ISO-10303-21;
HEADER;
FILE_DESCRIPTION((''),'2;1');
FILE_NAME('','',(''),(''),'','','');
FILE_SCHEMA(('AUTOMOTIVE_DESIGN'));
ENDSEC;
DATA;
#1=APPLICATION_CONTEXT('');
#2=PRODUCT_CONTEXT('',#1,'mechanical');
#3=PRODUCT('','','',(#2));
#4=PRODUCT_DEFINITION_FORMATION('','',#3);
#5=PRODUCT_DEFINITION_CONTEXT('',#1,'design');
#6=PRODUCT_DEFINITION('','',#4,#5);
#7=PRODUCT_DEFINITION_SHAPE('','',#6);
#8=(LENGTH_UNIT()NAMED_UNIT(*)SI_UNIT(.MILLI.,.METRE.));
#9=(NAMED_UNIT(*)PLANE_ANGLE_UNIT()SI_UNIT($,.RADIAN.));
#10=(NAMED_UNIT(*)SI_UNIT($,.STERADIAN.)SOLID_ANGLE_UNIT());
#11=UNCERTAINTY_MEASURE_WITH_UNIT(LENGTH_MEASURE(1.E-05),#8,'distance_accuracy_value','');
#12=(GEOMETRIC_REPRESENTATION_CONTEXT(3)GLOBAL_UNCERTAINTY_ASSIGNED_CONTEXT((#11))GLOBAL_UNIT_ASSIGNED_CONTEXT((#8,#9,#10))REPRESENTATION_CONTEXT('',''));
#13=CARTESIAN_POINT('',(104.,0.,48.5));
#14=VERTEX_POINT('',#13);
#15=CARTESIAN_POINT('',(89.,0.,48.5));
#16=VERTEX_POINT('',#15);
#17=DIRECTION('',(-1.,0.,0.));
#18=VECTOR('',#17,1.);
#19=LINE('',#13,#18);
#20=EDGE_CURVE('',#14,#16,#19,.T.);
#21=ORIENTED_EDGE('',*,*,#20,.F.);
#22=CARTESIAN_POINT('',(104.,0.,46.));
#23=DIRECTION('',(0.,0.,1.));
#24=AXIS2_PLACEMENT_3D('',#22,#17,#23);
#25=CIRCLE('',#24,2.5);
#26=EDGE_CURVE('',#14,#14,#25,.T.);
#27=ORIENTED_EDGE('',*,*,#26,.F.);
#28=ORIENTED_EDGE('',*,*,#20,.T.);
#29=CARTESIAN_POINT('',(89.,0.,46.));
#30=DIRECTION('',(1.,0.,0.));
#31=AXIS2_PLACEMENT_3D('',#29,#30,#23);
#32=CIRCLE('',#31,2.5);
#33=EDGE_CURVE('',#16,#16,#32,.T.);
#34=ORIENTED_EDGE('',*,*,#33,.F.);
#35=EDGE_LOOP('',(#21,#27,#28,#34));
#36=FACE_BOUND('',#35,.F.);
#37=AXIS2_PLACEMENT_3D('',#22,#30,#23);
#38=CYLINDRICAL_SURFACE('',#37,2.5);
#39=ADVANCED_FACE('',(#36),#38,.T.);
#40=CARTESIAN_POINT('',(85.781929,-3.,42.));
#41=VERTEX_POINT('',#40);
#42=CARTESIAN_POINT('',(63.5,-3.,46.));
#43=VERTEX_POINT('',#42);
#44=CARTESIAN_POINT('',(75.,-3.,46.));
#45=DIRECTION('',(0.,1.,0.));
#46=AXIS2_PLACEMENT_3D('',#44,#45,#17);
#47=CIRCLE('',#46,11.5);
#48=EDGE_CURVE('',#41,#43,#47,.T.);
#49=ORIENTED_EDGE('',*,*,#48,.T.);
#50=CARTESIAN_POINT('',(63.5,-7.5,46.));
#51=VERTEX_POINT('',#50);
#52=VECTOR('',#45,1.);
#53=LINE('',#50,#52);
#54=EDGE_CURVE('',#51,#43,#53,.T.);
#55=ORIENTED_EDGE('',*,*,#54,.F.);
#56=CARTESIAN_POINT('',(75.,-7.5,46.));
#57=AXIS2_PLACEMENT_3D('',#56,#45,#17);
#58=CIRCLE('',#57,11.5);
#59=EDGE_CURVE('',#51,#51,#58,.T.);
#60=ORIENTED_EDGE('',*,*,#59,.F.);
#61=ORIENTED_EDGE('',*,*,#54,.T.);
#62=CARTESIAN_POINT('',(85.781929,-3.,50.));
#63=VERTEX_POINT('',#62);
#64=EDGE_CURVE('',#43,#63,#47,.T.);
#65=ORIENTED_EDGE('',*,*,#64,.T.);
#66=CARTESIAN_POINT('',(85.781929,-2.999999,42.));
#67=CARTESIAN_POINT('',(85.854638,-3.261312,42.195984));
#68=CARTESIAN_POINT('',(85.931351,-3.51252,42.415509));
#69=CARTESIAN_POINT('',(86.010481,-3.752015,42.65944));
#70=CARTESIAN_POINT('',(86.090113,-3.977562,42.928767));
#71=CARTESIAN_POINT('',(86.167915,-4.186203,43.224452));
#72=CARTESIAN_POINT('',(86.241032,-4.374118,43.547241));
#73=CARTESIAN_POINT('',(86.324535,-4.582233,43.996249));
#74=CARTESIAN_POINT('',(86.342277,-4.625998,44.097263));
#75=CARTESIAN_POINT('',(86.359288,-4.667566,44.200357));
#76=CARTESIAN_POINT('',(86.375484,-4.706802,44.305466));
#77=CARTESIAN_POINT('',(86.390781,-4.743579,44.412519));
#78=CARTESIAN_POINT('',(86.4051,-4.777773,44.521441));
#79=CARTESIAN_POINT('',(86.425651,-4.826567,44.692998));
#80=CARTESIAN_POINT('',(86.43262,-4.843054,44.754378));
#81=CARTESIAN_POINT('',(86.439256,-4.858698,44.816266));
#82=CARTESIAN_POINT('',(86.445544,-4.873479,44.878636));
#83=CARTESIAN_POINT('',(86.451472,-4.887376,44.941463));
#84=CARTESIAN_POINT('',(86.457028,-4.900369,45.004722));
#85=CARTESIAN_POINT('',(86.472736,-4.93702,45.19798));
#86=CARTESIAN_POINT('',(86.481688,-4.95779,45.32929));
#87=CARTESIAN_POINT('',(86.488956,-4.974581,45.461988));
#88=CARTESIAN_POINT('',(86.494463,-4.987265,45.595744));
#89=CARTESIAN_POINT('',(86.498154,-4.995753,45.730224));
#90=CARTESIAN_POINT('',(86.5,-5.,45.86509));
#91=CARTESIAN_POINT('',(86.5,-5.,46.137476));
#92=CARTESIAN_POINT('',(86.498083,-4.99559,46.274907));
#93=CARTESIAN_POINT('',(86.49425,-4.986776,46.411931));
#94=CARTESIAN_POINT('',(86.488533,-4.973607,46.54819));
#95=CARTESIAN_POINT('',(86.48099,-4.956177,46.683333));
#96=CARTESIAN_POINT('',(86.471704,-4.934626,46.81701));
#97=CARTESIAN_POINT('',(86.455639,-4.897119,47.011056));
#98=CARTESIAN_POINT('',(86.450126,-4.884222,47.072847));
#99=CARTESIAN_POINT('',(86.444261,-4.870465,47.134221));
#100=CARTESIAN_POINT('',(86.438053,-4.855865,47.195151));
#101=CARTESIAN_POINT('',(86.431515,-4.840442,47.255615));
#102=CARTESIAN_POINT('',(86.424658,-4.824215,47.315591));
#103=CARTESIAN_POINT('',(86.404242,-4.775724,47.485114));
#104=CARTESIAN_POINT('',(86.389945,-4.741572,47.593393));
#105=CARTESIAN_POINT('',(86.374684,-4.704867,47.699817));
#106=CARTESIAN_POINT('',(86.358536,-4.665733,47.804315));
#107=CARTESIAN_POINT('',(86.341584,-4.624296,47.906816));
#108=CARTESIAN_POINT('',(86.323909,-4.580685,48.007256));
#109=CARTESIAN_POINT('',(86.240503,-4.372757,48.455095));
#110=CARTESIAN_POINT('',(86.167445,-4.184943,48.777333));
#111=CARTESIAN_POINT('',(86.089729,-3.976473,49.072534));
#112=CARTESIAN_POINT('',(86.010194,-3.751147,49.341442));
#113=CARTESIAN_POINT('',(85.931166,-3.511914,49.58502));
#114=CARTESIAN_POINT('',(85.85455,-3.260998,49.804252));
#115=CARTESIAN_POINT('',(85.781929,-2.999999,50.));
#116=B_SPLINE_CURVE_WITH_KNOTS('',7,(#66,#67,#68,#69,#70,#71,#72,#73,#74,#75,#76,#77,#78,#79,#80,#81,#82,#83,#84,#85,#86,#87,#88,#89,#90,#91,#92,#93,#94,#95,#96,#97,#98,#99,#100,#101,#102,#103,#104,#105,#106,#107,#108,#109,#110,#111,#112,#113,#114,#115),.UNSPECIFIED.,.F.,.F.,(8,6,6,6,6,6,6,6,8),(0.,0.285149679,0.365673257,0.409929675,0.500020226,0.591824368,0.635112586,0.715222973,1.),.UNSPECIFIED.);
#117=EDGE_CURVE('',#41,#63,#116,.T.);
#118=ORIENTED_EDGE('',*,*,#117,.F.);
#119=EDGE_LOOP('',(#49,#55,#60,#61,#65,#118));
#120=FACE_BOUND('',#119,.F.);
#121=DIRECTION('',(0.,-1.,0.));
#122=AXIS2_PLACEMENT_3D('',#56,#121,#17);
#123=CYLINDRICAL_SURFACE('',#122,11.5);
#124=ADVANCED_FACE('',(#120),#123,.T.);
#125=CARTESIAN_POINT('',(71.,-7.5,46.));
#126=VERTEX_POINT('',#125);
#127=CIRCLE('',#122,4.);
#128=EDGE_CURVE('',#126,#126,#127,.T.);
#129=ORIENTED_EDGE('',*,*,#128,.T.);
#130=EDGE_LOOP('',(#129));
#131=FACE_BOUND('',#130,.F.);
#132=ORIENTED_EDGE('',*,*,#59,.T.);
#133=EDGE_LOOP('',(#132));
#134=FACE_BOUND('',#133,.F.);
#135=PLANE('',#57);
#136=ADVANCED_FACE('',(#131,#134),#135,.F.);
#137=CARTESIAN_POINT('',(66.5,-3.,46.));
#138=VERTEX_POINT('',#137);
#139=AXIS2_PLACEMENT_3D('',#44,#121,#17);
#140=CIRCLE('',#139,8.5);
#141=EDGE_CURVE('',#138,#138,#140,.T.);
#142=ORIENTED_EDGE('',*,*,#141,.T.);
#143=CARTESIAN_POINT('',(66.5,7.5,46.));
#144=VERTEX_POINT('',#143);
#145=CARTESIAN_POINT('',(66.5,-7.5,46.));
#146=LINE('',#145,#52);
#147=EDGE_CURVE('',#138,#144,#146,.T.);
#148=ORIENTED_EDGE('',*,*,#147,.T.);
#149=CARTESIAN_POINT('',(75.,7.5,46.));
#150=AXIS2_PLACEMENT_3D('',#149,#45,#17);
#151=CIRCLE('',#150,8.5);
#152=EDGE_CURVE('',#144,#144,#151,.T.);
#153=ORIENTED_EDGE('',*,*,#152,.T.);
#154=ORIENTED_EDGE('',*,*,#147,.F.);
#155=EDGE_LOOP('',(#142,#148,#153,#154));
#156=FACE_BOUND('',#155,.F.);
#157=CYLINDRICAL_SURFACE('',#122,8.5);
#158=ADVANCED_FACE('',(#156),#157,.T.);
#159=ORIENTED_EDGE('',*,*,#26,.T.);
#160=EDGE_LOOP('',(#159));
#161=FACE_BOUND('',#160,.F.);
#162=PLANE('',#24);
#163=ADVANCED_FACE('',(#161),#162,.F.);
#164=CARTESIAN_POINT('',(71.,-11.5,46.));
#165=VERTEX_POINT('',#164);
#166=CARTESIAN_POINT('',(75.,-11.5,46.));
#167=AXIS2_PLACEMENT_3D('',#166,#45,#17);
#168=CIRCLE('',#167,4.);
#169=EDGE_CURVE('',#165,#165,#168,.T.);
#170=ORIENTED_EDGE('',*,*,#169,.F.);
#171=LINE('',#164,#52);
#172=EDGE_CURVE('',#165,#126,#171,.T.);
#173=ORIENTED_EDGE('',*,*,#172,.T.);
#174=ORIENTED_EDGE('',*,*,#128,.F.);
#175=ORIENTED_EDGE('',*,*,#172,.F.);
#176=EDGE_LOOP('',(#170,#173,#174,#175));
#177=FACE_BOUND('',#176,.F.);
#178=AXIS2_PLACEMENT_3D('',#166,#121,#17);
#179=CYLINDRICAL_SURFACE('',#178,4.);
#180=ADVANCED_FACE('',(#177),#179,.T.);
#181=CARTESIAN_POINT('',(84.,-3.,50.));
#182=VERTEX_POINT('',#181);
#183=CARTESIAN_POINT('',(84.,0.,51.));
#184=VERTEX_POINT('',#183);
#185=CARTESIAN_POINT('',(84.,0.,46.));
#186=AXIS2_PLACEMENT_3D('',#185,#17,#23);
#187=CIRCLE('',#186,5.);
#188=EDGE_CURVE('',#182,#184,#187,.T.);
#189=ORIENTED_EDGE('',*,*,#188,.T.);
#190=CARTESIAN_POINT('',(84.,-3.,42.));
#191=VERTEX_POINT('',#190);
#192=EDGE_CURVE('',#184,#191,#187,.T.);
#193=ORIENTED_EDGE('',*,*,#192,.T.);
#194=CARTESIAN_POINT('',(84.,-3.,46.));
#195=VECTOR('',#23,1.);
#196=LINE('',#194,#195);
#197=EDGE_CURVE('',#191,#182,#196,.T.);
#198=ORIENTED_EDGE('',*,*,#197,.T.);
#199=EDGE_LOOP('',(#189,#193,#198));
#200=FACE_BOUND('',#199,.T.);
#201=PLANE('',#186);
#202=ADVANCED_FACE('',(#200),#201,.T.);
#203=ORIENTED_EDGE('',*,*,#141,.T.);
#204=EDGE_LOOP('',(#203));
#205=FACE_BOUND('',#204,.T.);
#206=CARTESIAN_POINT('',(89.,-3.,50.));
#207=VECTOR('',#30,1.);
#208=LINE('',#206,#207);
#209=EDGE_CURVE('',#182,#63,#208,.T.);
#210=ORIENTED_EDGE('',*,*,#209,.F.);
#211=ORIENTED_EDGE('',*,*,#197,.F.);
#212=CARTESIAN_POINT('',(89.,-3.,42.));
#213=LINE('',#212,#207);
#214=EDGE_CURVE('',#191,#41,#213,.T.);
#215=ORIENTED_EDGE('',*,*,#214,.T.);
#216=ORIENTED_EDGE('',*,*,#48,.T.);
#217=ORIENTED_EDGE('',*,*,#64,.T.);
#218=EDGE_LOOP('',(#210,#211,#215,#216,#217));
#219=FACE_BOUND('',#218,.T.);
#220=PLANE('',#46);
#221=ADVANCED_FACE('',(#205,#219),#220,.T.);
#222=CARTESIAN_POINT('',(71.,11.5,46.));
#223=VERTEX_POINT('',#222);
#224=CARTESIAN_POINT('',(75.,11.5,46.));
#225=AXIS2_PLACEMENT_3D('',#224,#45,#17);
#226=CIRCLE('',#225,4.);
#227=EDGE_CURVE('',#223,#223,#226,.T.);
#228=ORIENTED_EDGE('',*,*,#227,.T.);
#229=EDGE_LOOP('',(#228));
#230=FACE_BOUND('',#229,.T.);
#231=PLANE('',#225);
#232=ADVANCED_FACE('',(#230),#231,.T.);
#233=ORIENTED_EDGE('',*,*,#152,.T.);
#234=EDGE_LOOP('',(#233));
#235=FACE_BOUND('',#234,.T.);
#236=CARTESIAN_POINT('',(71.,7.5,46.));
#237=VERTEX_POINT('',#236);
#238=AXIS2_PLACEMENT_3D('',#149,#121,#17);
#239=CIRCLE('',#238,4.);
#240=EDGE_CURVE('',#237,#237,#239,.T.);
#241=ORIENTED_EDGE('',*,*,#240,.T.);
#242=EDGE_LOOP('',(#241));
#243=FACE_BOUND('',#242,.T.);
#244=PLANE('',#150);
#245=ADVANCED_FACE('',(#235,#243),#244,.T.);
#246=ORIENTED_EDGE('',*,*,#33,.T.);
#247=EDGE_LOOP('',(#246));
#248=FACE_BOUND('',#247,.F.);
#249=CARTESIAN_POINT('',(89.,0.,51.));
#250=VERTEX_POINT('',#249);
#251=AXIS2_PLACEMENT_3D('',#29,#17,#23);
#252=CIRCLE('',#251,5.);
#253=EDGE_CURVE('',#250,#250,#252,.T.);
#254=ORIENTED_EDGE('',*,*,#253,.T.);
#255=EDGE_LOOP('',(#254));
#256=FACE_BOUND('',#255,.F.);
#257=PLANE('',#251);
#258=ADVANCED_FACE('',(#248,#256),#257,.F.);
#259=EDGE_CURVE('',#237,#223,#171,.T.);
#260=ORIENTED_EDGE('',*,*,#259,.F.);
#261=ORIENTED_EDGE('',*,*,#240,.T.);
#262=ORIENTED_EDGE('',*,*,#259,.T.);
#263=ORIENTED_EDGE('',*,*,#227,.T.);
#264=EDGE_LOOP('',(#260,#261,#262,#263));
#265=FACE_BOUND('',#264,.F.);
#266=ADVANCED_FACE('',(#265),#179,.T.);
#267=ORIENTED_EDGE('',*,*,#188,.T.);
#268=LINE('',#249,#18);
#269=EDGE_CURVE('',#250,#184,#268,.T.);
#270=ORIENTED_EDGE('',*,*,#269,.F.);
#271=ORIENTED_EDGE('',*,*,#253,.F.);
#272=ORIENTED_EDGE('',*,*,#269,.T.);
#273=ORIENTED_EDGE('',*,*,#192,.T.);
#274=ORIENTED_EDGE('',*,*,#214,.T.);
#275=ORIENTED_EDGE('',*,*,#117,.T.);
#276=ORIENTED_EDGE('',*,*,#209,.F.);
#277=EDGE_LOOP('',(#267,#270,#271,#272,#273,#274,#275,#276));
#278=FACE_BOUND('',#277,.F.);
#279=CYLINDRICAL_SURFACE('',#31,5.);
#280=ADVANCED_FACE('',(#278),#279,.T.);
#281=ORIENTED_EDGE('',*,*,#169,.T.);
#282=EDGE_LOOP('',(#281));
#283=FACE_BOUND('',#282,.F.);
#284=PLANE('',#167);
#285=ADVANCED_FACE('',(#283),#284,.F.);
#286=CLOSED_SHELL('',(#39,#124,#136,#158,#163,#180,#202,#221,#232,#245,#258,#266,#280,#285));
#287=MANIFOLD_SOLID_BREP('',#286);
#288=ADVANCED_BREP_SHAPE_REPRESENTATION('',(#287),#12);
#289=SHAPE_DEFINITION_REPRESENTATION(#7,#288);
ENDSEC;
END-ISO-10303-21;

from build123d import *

# Parameters (mm, degrees)
CYLINDER203_R             = 5
CYLINDER203_DEPTH         = 5
CYLINDER204_R             = 2.5
CYLINDER204_DEPTH         = 20
CYLINDER001_R             = 11.5
CYLINDER001_DEPTH         = 4.5
CYLINDER002_R             = 4
CYLINDER002_DEPTH         = 23
CYLINDER_R                = 8.5
CYLINDER_DEPTH            = 15
FUSION_PLACEMENT_ANGLE    = 90
FUSION041_PLACEMENT_ANGLE = 180


with BuildPart() as cylinder203:
    # Cylinder203 → Cylinder203 (new body)
    with BuildSketch(Plane(origin=(15, 0, 0), x_dir=(0, 0, -1), z_dir=(1, 0, 0))):
        Circle(CYLINDER203_R)
    extrude(amount=CYLINDER203_DEPTH)


with BuildPart() as pinion:
    # Cylinder204 → Cylinder204 (new body)
    with BuildSketch(Plane(origin=(0, 0, 0), x_dir=(0, 0, -1), z_dir=(1, 0, 0))):
        Circle(CYLINDER204_R)
    extrude(amount=CYLINDER204_DEPTH)

    # Fusion040: union Cylinder203
    add(cylinder203.part)


with BuildPart() as pinion_1:
    # Fusion040 placement: moved
    add(pinion.part.moved(Location((-21.5, 54.5, 7.5))))


with BuildPart() as cylinder001:
    # Cylinder001 → Cylinder001 (new body)
    with BuildSketch(Plane.XY.offset(-1)):
        Circle(CYLINDER001_R)
    extrude(amount=CYLINDER001_DEPTH)


with BuildPart() as cylinder002:
    # Cylinder002 → Cylinder002 (new body)
    with BuildSketch(Plane.XY.offset(-5)):
        Circle(CYLINDER002_R)
    extrude(amount=CYLINDER002_DEPTH)


with BuildPart() as differential_pinion:
    # Cylinder → Cylinder (new body)
    with BuildSketch(Plane.XY.offset(-1)):
        Circle(CYLINDER_R)
    extrude(amount=CYLINDER_DEPTH)

    # Fusion: union Cylinder001, Cylinder002
    add(cylinder001.part)
    add(cylinder002.part)


with BuildPart() as differential_pinion_1:
    # Fusion placement: moved
    add(differential_pinion.part.moved(Location((7.5, 48, 7.5))).rotate(Axis((7.5, 48, 7.5), (-1, 0, 0)), FUSION_PLACEMENT_ANGLE))

    # Fusion041: union pinion
    add(pinion_1.part)


with BuildPart() as differential_pinion_2:
    # Fusion041 placement: moved
    add(differential_pinion_1.part.moved(Location((82.5, -54.5, 53.5))).rotate(Axis((82.5, -54.5, 53.5), (0, 1, 0)), FUSION041_PLACEMENT_ANGLE))


solid = differential_pinion_2.part
